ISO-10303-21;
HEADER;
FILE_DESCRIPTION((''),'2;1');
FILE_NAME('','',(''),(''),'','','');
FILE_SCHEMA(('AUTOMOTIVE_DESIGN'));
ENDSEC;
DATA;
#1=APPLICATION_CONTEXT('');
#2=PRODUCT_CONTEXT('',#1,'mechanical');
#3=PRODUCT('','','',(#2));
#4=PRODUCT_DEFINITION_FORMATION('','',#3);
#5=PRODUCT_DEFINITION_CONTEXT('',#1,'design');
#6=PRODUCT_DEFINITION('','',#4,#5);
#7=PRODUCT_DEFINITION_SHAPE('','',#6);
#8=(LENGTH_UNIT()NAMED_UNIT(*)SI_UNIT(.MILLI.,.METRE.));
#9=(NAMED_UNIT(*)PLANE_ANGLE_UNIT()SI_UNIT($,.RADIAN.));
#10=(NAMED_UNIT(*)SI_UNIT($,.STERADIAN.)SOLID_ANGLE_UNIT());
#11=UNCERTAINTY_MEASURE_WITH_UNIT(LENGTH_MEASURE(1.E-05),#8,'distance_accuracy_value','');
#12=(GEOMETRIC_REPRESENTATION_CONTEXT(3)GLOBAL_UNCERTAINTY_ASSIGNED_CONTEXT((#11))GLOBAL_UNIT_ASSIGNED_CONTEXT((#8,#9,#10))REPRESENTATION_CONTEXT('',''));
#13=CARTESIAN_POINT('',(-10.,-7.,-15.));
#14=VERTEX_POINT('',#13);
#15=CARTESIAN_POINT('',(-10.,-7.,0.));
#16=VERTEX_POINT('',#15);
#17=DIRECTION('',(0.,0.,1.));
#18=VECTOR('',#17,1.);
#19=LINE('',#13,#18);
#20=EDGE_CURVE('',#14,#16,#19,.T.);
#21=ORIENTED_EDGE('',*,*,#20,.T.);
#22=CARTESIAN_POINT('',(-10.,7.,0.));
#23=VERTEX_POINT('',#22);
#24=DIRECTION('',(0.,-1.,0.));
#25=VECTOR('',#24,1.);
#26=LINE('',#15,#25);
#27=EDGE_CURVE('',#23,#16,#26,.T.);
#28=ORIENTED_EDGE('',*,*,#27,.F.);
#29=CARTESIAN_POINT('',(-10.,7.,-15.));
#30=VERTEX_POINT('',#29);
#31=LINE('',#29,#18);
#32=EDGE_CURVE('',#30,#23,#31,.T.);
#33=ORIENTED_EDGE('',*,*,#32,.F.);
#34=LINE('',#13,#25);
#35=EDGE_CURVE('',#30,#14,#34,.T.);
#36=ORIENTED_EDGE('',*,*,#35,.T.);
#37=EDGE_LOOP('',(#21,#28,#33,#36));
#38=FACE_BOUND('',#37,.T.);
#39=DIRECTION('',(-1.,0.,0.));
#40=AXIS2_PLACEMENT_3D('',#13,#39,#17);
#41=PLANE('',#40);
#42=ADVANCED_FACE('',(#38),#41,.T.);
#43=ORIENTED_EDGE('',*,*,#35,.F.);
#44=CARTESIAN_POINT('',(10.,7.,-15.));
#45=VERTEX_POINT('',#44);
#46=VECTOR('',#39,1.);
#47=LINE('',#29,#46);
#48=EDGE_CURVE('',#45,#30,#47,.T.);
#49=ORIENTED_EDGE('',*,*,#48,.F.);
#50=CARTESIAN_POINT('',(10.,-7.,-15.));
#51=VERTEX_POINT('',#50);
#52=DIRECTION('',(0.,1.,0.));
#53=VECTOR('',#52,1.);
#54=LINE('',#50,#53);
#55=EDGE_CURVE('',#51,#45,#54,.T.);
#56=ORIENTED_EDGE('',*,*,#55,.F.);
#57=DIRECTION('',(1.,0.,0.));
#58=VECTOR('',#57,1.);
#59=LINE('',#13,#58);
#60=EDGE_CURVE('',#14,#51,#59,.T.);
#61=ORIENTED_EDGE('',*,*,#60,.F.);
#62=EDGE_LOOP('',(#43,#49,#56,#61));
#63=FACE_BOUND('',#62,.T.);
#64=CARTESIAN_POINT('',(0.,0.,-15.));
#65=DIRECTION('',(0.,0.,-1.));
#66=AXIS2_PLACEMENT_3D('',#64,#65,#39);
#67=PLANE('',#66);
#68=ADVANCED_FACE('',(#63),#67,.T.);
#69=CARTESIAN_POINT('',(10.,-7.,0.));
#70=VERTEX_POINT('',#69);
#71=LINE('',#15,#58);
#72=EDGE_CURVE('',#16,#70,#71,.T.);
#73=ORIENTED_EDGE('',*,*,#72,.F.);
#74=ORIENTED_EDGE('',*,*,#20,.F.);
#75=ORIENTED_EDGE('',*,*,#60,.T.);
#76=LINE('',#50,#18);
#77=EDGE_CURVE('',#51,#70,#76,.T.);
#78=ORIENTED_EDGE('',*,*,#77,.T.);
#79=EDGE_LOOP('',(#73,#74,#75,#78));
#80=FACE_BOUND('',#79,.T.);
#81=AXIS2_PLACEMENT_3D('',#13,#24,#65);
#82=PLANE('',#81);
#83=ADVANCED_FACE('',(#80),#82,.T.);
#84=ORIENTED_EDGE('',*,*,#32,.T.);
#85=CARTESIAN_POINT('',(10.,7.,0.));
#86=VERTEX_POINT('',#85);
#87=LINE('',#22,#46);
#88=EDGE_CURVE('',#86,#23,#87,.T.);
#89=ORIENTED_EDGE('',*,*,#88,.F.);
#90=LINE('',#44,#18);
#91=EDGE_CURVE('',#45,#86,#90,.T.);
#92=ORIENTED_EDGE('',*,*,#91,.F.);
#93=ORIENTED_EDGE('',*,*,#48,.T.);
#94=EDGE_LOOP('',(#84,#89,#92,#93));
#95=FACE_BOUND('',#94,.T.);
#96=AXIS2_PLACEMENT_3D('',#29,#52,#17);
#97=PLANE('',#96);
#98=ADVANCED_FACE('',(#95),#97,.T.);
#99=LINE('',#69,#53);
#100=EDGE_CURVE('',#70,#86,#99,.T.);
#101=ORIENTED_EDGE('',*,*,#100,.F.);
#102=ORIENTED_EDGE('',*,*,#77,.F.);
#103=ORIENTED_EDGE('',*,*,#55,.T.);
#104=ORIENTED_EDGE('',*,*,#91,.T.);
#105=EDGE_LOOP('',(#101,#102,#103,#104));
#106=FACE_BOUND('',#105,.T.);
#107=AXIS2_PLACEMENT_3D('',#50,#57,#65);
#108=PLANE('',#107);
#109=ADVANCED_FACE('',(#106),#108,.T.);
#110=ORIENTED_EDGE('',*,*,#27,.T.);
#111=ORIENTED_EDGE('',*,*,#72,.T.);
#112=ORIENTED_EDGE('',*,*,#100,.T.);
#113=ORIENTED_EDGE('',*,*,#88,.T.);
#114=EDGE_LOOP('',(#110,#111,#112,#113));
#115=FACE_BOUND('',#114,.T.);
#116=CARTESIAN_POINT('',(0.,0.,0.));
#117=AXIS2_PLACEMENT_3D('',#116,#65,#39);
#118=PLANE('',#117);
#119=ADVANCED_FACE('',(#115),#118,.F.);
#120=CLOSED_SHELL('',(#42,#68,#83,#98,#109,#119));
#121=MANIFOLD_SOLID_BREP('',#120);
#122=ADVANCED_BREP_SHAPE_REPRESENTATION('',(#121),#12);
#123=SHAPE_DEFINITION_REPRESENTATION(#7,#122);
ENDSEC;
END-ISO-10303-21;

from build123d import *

# Parameters (mm, degrees)
SKETCH1_W           = 20
SKETCH1_H           = 14
BOSS_EXTRUDE1_DEPTH = 15


with BuildPart() as part:
    # Sketch1 → Boss-Extrude1 (new body)
    with BuildSketch(Plane.XY):
        Rectangle(SKETCH1_W, SKETCH1_H)
    extrude(amount=-BOSS_EXTRUDE1_DEPTH)


solid = part.part
